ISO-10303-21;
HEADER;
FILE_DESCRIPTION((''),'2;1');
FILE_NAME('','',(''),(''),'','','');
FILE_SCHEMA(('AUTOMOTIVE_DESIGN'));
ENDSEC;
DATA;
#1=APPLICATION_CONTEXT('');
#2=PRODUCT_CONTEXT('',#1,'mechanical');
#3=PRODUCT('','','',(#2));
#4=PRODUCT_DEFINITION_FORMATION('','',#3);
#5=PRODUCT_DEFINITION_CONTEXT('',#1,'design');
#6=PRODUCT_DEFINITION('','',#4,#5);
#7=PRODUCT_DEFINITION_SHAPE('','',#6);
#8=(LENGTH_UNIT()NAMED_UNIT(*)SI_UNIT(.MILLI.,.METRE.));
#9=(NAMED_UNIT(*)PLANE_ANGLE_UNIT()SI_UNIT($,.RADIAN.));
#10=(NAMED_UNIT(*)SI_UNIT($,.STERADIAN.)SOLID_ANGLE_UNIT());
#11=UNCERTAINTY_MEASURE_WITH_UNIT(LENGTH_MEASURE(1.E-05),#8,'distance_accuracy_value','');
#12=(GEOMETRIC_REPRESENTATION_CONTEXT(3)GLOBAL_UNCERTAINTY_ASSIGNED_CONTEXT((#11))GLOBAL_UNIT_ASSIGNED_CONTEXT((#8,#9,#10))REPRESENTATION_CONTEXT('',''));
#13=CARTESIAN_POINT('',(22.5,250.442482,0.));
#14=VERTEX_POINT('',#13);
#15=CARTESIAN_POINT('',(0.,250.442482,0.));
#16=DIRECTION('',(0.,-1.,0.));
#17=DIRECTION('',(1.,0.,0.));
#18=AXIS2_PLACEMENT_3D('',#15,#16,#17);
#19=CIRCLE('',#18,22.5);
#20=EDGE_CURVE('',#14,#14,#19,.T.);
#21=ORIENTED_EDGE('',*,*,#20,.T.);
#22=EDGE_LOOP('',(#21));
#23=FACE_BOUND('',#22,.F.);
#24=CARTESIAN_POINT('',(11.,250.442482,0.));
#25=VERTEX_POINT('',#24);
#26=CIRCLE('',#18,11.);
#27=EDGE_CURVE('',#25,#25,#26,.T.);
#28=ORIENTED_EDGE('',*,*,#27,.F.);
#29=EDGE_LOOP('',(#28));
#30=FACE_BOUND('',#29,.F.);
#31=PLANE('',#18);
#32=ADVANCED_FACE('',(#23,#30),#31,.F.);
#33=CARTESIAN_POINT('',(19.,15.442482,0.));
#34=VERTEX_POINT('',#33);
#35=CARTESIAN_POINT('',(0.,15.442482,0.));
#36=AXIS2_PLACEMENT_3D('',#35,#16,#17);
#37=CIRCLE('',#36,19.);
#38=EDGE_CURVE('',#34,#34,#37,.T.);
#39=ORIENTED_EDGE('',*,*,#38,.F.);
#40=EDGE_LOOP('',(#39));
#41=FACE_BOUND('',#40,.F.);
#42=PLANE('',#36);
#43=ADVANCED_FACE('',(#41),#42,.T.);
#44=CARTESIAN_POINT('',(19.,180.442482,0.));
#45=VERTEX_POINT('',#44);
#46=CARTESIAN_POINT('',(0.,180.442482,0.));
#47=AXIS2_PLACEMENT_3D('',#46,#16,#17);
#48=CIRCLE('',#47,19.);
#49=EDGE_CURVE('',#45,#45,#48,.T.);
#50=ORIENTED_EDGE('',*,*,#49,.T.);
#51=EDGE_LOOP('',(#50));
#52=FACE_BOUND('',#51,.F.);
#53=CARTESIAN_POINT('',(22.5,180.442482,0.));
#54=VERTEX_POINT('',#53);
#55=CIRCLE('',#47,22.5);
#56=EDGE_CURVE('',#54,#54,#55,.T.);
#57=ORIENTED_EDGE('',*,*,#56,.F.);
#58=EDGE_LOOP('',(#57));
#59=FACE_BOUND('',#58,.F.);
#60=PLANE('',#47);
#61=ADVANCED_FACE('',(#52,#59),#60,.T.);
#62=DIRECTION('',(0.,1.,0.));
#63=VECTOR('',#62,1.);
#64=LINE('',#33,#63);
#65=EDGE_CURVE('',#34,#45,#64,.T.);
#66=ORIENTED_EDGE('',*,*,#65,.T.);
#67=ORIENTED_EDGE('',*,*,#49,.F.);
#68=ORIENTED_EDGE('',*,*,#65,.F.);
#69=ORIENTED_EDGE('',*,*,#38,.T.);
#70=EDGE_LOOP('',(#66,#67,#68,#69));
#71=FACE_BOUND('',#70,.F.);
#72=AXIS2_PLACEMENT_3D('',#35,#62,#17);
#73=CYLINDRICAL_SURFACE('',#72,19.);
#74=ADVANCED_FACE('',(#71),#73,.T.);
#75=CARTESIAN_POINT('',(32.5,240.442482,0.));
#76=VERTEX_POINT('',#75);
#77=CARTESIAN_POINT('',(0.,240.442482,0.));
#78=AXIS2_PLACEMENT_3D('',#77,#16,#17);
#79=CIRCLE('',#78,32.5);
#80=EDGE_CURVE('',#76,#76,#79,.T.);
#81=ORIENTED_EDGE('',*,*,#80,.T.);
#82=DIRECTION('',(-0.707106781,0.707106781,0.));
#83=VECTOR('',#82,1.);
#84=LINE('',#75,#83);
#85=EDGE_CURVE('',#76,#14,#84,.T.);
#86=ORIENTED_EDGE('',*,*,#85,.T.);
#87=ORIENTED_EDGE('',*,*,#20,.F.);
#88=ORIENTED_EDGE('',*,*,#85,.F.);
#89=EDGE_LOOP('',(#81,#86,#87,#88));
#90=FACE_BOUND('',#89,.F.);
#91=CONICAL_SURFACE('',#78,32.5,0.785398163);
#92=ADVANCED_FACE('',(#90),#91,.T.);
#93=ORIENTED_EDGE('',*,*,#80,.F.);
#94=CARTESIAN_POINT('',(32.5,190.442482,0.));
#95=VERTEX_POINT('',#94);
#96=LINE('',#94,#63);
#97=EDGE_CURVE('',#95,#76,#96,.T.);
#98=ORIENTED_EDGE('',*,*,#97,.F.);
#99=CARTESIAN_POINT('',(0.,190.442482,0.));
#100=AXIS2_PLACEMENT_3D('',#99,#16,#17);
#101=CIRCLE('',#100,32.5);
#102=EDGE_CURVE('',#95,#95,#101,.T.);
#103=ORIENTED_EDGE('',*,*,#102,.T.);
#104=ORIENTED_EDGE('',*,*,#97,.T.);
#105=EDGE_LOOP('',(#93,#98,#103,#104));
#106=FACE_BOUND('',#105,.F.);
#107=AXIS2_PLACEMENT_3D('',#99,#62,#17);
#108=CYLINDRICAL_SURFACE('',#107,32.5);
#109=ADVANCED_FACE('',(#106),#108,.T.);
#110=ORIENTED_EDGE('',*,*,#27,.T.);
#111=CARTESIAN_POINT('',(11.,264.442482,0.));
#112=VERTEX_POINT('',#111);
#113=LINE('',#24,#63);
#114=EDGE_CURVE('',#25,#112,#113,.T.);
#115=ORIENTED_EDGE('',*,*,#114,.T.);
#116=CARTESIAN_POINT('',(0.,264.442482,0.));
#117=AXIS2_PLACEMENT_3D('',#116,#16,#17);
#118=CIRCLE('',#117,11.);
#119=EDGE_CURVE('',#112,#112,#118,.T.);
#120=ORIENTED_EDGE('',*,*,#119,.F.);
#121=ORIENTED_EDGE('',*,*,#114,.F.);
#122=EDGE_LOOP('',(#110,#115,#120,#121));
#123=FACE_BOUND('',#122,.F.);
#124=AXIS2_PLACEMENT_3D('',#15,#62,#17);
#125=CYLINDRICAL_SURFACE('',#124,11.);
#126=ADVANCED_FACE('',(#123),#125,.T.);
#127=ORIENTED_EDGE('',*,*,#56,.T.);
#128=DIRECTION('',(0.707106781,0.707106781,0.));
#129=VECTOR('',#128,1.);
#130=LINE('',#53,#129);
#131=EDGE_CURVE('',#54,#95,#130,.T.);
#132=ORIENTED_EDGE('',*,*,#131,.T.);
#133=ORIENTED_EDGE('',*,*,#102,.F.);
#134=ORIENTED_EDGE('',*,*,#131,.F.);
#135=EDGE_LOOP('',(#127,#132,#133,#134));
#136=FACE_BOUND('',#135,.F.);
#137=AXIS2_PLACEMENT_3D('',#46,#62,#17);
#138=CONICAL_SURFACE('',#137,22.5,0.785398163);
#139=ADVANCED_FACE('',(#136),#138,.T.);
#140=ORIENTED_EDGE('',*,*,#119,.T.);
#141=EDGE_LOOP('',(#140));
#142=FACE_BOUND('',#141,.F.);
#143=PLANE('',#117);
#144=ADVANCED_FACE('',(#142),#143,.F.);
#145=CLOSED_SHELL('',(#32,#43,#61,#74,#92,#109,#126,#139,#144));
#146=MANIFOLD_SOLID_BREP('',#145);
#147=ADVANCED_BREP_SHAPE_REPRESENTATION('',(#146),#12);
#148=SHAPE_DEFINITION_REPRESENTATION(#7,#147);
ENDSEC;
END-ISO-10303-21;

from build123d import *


with BuildPart() as part:
    # Sketch1 → Revolve1 (revolve)
    with BuildSketch(Plane.XY):
        Polygon((11, 264.442482276), (0, 264.442482276), (0, 15.442482276), (19, 15.442482276), (19, 180.442482276), (22.5, 180.442482276), (32.5, 190.442482276), (32.5, 240.442482276), (22.5, 250.442482276), (11, 250.442482276), align=None)
    revolve(axis=Axis((0, 309.181995893, 0), (0, -1, 0)))


solid = part.part
